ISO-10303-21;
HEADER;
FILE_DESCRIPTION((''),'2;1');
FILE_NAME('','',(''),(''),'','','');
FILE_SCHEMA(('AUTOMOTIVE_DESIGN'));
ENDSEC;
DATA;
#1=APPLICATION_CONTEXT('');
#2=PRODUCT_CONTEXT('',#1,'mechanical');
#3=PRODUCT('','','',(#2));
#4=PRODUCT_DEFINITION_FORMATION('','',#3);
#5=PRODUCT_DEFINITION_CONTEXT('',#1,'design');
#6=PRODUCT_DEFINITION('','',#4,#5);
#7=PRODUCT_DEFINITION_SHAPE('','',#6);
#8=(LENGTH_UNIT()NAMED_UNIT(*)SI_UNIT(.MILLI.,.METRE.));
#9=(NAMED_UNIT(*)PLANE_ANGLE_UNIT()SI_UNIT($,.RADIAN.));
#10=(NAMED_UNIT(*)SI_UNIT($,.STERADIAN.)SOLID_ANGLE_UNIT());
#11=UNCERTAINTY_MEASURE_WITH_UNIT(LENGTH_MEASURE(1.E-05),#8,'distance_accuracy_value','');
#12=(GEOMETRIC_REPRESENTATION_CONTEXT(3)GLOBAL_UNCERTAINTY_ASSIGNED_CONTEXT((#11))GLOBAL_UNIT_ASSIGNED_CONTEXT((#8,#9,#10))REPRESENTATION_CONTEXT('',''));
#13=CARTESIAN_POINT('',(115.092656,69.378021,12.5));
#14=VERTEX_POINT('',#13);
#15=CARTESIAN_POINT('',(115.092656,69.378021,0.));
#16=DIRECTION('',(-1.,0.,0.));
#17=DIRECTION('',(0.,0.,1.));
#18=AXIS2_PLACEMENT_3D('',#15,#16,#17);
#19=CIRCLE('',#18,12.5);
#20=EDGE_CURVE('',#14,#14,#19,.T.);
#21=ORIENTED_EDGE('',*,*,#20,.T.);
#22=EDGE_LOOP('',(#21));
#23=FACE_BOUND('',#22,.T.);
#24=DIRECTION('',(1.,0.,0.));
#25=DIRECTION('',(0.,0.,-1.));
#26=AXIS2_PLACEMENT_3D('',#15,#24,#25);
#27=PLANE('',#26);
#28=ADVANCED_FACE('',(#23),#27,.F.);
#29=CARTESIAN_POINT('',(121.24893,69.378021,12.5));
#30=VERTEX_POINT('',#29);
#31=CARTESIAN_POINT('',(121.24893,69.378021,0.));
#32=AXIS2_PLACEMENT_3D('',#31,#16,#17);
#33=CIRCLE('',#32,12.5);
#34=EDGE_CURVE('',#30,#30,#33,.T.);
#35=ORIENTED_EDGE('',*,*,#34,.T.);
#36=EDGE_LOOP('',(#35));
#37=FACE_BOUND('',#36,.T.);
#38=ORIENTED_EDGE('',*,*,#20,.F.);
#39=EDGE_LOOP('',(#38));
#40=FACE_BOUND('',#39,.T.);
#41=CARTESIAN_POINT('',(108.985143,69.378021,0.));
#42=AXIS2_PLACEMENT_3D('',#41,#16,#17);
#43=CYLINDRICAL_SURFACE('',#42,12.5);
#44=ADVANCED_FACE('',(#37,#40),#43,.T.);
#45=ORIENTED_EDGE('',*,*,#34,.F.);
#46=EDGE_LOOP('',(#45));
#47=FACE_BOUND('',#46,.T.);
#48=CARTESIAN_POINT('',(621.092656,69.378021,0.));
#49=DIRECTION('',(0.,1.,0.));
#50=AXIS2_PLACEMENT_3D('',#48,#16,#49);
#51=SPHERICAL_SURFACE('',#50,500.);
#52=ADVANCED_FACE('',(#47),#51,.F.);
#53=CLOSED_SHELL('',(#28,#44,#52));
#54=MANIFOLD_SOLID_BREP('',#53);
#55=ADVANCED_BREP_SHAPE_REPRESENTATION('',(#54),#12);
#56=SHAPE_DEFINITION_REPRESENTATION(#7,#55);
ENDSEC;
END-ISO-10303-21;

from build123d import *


with BuildPart() as part:
    # 草图1 → 旋转1 (revolve)
    with BuildSketch(Plane.XY):
        with BuildLine():
            Line((115.092655535, 69.378021123), (115.092655535, 81.878021123))
            Line((115.092655535, 81.878021123), (121.248929933, 81.878021123))
            ThreePointArc((121.248929933, 81.878021123), (121.131725644, 75.628509538), (121.092655512, 69.378021123))
            Line((121.092655512, 69.378021123), (115.092655535, 69.378021123))
        make_face()
    revolve(axis=Axis((108.985143002, 69.378021123, 0), (1, 0, 0)))


solid = part.part
